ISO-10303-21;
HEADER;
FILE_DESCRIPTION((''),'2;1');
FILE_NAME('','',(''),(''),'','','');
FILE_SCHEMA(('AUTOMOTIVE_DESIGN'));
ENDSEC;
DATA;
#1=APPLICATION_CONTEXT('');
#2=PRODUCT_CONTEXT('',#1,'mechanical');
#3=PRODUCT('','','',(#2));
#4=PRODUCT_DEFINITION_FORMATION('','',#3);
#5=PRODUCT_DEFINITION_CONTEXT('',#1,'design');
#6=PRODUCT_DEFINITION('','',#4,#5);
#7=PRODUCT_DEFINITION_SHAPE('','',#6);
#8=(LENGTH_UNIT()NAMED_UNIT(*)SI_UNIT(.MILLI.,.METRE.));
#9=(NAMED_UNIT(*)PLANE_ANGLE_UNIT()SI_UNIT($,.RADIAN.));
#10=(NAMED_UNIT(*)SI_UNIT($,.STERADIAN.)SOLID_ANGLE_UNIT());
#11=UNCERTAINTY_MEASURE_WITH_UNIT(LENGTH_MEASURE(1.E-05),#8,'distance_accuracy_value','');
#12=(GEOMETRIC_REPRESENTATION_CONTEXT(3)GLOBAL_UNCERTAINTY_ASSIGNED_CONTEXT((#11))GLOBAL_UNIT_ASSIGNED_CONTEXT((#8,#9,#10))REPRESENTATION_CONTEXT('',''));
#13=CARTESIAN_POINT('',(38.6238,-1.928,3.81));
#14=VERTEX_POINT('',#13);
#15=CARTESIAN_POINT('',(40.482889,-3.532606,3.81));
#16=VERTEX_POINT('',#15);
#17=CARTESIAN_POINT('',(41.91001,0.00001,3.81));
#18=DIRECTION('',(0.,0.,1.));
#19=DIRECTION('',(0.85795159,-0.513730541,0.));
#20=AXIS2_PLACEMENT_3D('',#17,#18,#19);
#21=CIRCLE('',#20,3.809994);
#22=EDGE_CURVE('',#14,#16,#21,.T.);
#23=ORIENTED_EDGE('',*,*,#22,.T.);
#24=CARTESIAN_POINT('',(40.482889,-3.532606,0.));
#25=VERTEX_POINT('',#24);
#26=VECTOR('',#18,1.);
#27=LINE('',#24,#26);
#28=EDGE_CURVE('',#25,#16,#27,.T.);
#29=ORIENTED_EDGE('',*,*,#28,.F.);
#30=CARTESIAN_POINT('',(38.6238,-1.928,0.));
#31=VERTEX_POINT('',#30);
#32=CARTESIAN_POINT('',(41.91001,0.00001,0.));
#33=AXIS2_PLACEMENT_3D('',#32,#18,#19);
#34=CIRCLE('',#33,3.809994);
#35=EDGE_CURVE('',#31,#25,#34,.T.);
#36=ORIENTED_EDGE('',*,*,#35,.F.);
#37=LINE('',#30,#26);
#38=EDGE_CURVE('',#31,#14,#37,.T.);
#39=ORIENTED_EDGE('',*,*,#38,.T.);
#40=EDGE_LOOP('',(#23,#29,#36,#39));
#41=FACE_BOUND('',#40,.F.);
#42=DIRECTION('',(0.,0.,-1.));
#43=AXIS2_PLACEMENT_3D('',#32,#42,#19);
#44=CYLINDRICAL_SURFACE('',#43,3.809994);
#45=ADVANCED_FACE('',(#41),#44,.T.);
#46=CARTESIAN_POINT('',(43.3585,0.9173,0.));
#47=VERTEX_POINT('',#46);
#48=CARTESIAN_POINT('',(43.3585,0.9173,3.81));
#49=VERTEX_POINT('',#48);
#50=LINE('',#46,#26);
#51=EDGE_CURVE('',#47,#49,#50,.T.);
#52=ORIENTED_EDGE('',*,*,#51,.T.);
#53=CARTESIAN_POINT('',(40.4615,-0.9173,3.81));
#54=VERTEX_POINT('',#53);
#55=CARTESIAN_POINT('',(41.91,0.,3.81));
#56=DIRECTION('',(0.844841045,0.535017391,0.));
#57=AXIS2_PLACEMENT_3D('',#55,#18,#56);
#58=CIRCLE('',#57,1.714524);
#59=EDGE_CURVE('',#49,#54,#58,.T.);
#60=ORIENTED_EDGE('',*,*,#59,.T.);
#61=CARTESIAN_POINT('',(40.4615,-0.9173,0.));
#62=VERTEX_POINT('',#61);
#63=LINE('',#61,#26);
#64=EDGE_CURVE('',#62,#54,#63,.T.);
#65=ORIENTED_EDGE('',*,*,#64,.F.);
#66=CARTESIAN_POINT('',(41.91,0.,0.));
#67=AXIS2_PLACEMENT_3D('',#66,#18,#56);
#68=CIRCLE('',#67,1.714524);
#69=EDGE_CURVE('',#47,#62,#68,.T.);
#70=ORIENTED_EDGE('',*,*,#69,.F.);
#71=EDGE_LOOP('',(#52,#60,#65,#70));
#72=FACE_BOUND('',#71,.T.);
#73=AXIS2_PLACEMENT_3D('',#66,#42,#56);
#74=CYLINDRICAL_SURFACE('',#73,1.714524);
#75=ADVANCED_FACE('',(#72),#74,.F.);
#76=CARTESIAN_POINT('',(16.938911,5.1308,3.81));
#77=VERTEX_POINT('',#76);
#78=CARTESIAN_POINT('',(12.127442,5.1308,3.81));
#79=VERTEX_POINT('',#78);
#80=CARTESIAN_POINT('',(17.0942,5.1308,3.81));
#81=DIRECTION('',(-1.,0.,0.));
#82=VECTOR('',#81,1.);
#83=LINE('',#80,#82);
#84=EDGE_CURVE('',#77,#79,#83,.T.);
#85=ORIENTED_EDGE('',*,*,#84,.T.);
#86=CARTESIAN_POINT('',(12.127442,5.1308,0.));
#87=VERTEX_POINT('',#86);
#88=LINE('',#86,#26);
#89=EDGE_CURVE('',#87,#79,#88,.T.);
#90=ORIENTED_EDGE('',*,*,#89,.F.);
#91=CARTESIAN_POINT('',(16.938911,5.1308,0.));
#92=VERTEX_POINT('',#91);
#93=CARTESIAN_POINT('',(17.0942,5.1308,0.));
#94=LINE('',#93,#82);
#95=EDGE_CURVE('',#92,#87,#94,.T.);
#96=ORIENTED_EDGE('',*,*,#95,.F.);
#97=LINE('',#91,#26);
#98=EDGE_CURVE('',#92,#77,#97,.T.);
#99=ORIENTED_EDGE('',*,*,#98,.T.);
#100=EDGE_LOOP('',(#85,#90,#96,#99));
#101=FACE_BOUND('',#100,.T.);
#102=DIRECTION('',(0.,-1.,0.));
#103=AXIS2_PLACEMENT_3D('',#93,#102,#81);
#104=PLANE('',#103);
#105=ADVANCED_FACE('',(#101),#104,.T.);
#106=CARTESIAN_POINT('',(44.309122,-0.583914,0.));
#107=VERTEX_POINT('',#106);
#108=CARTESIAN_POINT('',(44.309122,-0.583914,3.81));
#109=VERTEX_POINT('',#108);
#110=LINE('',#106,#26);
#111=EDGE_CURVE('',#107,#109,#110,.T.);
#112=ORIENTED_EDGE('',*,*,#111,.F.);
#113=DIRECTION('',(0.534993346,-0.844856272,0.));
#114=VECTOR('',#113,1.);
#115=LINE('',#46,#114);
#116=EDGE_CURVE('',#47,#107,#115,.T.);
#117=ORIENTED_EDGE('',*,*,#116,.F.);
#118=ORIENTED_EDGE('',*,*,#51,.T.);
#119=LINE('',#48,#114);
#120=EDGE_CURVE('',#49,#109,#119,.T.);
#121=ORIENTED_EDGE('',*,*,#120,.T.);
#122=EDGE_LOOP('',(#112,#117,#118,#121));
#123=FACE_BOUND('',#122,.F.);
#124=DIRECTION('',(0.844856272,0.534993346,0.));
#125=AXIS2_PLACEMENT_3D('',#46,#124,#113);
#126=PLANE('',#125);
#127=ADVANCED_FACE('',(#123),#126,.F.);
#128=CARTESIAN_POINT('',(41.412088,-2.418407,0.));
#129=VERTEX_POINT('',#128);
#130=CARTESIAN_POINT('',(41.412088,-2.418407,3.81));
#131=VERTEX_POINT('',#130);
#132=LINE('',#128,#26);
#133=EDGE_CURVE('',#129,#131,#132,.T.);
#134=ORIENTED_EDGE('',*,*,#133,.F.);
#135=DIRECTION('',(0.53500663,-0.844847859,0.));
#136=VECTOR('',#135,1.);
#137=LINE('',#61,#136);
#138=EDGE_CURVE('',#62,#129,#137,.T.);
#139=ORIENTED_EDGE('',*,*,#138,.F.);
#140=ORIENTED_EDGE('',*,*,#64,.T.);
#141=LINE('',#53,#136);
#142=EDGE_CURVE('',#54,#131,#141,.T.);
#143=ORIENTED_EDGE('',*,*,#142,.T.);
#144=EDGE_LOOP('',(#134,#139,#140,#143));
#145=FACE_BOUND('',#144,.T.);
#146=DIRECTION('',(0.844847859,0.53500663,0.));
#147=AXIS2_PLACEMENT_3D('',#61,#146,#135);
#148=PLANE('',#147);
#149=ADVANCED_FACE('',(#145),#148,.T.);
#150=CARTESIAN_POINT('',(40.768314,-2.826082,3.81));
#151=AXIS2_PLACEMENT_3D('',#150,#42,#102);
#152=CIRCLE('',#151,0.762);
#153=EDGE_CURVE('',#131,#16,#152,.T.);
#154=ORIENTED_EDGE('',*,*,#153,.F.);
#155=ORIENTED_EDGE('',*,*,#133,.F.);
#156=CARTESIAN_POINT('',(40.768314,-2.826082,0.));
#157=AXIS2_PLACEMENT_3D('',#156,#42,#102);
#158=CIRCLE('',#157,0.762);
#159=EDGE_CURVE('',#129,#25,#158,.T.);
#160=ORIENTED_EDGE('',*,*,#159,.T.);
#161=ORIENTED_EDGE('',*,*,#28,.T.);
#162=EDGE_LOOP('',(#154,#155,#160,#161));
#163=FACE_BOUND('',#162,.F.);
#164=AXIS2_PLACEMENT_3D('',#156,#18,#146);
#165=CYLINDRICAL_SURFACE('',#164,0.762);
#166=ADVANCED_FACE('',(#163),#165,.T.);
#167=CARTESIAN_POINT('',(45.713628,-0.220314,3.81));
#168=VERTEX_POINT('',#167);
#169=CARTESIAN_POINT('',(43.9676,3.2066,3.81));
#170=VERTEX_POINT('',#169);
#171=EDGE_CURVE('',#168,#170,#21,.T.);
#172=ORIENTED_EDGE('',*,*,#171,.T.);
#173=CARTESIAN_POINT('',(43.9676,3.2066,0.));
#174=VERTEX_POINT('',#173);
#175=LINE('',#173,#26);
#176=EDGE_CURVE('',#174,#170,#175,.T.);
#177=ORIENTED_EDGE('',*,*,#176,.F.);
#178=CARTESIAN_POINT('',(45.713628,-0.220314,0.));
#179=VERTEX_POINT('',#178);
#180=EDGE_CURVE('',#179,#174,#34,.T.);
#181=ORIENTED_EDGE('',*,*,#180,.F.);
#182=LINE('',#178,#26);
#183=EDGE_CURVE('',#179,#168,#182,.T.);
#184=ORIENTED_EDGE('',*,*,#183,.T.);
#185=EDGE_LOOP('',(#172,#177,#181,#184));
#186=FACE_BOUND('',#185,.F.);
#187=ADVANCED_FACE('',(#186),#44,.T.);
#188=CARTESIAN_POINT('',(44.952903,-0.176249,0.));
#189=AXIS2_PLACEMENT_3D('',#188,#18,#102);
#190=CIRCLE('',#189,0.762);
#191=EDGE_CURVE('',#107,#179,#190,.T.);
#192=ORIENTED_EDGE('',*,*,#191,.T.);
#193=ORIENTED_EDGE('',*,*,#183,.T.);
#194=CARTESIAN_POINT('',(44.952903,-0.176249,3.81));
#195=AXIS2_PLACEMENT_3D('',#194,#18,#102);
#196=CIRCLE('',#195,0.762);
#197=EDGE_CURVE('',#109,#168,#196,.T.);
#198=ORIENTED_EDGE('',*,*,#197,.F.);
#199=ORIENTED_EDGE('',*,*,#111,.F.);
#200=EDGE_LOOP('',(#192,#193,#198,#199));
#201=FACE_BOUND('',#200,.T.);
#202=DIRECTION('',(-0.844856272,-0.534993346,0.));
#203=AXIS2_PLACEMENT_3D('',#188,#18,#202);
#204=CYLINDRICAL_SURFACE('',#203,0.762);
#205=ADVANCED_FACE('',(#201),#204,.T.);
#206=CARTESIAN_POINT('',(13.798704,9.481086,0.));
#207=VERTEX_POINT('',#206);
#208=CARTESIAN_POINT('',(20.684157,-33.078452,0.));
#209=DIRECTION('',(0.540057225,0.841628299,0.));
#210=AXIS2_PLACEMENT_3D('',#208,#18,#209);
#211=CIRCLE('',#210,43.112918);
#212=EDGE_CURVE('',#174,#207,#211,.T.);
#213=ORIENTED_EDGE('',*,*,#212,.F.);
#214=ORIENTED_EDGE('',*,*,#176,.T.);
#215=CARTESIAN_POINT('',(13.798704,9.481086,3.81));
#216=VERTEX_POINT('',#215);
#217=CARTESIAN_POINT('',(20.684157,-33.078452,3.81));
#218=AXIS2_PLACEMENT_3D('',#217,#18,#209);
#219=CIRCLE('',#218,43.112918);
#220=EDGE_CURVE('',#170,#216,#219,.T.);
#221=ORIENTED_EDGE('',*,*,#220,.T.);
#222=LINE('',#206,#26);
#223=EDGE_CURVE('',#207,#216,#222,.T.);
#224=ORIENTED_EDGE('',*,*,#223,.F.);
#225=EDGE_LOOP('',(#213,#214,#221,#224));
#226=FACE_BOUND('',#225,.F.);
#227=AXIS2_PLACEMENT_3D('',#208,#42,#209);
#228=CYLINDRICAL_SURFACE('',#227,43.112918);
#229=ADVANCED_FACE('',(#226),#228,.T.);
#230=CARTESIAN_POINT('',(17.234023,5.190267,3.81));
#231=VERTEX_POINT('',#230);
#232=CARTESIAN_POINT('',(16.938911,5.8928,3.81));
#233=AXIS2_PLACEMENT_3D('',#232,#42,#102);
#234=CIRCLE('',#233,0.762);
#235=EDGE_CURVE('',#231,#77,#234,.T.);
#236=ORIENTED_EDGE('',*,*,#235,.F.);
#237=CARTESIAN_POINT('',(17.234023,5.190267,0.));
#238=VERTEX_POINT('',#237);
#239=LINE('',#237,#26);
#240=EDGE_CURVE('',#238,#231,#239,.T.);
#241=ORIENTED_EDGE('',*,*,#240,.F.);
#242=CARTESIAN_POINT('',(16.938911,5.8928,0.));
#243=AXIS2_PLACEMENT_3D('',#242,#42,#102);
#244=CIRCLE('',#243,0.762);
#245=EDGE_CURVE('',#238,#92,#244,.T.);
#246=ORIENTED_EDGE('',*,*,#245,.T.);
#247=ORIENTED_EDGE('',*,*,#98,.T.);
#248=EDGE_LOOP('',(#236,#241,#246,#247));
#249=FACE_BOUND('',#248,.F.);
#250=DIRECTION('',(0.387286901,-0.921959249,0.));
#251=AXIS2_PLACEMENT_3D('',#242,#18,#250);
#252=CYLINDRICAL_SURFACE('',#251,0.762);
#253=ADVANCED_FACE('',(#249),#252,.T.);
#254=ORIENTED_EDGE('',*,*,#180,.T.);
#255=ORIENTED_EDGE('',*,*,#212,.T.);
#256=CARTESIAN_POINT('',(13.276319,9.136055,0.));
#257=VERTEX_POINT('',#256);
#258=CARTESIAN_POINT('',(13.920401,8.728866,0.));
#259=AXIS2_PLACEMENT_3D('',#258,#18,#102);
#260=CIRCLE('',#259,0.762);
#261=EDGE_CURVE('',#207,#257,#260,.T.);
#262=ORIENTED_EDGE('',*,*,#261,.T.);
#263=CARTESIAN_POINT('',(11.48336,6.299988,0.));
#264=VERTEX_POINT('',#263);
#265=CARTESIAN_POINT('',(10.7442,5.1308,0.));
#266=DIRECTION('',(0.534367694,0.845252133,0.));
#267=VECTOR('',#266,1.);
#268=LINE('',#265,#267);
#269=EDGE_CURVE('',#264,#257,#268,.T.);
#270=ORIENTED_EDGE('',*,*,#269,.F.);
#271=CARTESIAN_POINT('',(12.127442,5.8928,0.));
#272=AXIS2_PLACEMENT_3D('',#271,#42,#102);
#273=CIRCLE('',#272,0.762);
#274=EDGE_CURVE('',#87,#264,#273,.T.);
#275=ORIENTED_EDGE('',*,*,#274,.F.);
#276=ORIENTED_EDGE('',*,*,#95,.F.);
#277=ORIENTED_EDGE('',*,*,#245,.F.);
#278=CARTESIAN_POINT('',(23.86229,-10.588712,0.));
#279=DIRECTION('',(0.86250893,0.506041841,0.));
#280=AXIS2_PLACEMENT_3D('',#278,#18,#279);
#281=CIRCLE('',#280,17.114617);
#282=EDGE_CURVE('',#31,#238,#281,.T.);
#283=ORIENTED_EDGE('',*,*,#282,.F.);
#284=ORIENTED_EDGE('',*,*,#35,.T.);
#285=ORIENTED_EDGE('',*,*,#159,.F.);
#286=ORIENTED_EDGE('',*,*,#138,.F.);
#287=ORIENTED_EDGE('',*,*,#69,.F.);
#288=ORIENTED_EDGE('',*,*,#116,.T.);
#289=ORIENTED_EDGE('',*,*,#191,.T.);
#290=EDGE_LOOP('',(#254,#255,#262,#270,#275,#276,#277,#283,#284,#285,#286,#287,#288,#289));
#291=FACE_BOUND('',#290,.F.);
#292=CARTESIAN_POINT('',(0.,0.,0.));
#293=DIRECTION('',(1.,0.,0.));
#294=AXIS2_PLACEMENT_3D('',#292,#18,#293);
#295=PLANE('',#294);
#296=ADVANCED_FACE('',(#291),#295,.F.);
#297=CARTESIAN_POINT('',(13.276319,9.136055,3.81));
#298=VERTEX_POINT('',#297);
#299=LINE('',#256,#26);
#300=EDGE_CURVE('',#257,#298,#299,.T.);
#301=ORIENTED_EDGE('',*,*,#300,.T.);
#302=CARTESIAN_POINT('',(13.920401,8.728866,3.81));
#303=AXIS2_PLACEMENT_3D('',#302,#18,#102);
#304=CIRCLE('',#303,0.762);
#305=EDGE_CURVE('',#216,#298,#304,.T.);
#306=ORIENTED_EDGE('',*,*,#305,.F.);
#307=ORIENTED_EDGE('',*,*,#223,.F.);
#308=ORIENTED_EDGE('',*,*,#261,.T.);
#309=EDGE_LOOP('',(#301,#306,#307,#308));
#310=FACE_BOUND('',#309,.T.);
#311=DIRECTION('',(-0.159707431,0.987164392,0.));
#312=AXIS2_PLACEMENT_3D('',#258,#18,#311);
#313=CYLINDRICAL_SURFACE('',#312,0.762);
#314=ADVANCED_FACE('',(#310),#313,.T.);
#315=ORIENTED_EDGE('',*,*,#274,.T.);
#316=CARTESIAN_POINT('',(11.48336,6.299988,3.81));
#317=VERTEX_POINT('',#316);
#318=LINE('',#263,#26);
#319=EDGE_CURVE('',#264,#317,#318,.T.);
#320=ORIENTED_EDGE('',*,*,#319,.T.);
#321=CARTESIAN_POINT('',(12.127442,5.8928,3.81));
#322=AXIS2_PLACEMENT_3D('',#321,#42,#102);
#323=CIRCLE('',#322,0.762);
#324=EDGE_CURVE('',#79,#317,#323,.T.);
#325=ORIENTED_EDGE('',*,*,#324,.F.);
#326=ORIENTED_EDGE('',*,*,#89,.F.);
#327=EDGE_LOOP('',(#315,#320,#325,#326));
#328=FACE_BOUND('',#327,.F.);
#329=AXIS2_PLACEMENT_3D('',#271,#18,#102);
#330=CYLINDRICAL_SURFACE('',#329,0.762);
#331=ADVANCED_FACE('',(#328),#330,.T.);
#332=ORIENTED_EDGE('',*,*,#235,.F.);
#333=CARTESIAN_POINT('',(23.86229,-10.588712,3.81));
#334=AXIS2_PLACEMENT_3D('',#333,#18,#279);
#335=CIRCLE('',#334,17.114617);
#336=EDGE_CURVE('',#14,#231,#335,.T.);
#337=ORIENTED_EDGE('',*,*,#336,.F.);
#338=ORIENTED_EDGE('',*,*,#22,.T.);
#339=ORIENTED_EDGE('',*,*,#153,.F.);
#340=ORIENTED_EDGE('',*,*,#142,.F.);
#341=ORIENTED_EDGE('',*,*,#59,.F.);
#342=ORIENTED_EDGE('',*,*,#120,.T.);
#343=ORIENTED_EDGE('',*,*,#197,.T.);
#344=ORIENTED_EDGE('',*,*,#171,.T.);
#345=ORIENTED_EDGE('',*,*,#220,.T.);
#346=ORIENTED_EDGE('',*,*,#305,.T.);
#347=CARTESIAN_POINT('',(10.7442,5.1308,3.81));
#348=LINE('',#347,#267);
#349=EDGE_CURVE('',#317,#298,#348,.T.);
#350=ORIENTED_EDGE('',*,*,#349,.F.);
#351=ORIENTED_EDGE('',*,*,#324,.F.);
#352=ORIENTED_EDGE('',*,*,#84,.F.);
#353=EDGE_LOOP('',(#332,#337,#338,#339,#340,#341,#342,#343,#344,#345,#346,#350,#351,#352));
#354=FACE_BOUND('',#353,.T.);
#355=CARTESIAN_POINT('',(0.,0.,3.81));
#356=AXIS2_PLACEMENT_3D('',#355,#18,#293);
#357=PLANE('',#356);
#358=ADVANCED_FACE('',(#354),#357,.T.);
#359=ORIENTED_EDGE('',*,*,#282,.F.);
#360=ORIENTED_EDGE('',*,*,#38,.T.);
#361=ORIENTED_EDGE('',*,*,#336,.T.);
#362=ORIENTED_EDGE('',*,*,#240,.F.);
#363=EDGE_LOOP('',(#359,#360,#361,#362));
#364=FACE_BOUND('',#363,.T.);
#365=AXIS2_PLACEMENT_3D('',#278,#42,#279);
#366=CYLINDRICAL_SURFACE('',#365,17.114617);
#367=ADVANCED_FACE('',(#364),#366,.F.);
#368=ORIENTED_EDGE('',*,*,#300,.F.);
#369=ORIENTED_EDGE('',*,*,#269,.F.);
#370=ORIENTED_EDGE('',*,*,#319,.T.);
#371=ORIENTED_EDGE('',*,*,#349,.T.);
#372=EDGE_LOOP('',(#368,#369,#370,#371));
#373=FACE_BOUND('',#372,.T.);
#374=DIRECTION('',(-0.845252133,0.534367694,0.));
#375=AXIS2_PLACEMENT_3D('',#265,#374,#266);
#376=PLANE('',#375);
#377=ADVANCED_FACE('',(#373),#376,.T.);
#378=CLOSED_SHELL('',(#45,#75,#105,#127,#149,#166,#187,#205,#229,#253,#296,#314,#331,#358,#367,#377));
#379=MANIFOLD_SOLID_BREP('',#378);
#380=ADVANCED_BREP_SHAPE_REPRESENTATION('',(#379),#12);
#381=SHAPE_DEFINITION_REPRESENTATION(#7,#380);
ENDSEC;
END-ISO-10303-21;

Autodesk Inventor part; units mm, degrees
ref_plane "YZ Plane" through (0, 0, 0) normal (1, 0, 0) x (0, 1, 0)
ref_plane "XZ Plane" through (0, 0, 0) normal (0, 1, 0) x (-1, 0, 0)
ref_plane "XY Plane" through (0, 0, 0) normal (0, 0, 1) x (1, 0, 0)
sketch "Sketch1" plane through (0, 0, 0) normal (0, 0, 1) x (1, 0, 0)
  circle A0 centre (20.955, -36.2951) radius 47.625 construction
  line L0 (0, 5.1308) -> (17.0942, 5.1308) construction
  arc A1 (43.3585, 0.9173) -> (40.4615, -0.9173) centre (41.91, 0) ccw
  arc A2 (45.1788, -1.9573) -> (42.2818, -3.7918) centre (41.91, 0) ccw
  line L1 (17.0942, 5.1308) -> (10.7442, 5.1308)
  line L2 (10.7442, 5.1308) -> (13.4588, 9.4247)
  arc A3 (43.9676, 3.2066) -> (13.4588, 9.4247) centre (20.6843, -33.0781) ccw
  arc A4 (38.6238, -1.928) -> (17.0942, 5.1308) centre (23.8623, -10.5887) ccw
  line L3 (43.3585, 0.9173) -> (45.1788, -1.9573)
  line L4 (40.4615, -0.9173) -> (42.2818, -3.7918)
  point P0 (0, 0)
  point P1 (62.865, -36.2951)
  dimension "d0" = 41.91
  dimension "d1" = 95.25
  dimension "d2" = 41.91
  dimension "d3" = 41.91
  dimension "d4" = 5.1308
  dimension "d5" = 17.0942
  dimension "d6" = 3.429
  dimension "d7" = 7.62
  dimension "d8" = 6.35
  dimension "d9" = 5.08
  dimension "d10" = 41.91
  dimension "d11" = 41.91
extrude "Extrusion1" add sketch "Sketch1" along normal blind 3.81
fillet "Fillet1" radius 0.762 5 edges at (42.2818, -3.7918, 1.905) (45.1788, -1.9573, 1.905) (17.0942, 5.1308, 1.905) (13.4588, 9.4247, 1.905) (10.7442, 5.1308, 1.905)
properties part number "GearMotorMountArm" material "ABS Plastic"
